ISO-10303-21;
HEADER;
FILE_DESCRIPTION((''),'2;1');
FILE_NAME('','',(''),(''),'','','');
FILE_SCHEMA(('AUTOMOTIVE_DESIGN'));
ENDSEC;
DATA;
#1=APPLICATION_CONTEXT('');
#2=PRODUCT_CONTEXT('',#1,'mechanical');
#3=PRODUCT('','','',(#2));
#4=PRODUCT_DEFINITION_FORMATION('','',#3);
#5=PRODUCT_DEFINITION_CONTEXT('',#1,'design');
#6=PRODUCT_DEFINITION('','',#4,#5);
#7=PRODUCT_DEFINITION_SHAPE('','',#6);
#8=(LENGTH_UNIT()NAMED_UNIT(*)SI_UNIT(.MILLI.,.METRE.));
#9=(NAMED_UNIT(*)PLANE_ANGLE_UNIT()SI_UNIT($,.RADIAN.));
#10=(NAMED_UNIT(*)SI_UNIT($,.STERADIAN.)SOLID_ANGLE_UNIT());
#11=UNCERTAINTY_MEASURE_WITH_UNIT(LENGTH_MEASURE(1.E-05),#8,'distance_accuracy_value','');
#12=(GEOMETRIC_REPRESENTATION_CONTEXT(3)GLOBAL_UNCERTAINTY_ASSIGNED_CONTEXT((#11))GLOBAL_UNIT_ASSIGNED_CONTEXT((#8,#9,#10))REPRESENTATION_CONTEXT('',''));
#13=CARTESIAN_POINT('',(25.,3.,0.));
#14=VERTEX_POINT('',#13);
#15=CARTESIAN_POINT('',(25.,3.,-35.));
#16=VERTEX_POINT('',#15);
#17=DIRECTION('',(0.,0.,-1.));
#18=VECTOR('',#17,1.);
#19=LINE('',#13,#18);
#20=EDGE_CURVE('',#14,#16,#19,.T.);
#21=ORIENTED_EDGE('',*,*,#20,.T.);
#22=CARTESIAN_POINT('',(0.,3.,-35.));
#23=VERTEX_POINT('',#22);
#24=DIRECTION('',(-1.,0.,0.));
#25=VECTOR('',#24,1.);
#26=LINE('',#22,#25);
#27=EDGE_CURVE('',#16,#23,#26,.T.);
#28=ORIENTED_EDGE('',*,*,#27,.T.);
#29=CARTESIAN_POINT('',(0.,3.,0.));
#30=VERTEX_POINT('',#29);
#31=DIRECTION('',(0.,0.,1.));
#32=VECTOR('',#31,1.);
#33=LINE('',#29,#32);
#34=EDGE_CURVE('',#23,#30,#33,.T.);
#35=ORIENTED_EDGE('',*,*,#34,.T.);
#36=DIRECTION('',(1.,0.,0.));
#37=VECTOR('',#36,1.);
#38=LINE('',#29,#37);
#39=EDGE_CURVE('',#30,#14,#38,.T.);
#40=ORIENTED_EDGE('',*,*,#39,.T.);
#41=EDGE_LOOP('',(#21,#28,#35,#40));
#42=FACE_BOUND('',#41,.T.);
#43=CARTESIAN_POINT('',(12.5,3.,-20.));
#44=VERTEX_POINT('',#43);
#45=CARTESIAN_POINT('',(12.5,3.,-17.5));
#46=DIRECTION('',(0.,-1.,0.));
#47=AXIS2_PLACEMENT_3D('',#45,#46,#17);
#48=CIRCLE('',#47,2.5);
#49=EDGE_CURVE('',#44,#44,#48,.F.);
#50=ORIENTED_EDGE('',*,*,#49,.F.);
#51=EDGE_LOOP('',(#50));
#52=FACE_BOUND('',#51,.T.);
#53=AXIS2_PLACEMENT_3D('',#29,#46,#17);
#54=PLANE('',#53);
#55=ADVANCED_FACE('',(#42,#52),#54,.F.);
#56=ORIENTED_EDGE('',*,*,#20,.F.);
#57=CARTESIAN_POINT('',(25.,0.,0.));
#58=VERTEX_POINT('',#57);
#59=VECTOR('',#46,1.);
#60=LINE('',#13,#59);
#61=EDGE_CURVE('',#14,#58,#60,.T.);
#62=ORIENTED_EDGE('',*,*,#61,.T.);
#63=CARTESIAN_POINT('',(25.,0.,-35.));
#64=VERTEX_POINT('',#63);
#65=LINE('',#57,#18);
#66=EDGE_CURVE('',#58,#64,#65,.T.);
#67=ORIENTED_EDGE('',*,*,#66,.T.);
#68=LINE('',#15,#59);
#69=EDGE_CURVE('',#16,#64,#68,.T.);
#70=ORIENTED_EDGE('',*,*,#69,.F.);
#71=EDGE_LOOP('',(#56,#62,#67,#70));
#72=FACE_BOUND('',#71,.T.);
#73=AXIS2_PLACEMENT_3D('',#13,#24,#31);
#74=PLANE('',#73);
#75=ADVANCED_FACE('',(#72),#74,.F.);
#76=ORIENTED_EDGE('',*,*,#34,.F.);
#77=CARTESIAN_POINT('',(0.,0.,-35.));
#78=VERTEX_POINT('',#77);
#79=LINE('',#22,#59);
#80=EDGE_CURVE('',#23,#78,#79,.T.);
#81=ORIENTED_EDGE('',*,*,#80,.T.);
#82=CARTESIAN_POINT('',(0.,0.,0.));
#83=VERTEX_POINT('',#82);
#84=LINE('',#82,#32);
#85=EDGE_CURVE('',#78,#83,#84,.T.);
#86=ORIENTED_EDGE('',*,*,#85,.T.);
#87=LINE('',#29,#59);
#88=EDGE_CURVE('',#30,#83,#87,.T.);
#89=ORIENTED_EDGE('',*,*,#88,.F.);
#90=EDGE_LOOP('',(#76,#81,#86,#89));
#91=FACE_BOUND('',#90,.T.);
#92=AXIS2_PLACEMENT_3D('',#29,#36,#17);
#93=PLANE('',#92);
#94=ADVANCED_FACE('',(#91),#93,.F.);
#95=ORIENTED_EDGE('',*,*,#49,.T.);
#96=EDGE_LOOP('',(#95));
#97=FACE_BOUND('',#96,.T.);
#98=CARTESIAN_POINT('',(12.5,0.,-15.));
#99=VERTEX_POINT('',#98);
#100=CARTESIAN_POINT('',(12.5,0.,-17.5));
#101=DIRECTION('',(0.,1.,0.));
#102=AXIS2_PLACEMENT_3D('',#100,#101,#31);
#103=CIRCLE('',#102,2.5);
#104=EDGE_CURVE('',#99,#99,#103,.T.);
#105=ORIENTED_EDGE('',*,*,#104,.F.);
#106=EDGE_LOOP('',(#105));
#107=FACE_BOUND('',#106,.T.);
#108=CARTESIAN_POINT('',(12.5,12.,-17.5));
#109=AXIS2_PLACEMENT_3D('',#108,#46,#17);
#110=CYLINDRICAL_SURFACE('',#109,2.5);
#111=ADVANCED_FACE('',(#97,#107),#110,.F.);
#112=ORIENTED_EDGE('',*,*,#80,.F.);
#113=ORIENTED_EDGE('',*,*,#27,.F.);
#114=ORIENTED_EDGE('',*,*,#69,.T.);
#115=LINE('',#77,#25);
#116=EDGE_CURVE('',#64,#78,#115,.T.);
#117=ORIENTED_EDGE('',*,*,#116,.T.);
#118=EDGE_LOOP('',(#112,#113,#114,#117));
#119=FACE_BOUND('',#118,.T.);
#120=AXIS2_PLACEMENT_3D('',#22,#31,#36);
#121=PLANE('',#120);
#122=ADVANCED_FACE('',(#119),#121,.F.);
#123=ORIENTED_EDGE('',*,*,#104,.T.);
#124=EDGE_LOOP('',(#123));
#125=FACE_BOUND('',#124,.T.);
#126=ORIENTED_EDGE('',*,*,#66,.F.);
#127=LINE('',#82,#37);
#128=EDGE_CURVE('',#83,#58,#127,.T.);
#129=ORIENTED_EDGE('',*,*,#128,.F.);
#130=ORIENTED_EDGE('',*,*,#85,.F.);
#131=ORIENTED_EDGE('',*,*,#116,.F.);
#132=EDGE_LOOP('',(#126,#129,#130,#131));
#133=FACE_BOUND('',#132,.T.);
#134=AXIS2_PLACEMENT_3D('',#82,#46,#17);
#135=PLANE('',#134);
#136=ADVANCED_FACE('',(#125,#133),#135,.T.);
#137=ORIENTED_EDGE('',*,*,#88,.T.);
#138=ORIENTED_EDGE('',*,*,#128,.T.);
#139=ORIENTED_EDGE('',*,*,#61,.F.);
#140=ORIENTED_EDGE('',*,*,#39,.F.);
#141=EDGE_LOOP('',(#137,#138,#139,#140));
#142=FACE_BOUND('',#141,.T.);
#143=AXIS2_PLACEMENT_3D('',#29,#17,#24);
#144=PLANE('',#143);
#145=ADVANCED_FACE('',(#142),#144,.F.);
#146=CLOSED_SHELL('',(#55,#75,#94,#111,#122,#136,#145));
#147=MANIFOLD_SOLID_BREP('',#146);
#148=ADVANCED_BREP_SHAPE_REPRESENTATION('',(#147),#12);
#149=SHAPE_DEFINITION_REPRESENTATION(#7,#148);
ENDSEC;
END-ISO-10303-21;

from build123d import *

# Parameters (mm, degrees)
SKETCH1_W           = 25
SKETCH1_H           = 35
BOSS_EXTRUDE1_DEPTH = 3
SKETCH2_R           = 2.5
CUT_EXTRUDE1_DEPTH  = 12


with BuildPart() as part:
    # Sketch1 → Boss-Extrude1 (new body)
    with BuildSketch(Plane(origin=(0, 0, 0), x_dir=(1, 0, 0), z_dir=(0, 1, 0))):
        with Locations((12.5, 17.5)):
            Rectangle(SKETCH1_W, SKETCH1_H)
    extrude(amount=BOSS_EXTRUDE1_DEPTH)

    # Sketch2 → Cut-Extrude1 (cut)
    with BuildSketch(Plane(origin=(0, 0, 0), x_dir=(1, 0, 0), z_dir=(0, 1, 0))):
        with Locations(Location((12.5, 17.5, 0), (0, 0, 90))):
            Circle(SKETCH2_R)
    extrude(amount=CUT_EXTRUDE1_DEPTH, mode=Mode.SUBTRACT)


solid = part.part
